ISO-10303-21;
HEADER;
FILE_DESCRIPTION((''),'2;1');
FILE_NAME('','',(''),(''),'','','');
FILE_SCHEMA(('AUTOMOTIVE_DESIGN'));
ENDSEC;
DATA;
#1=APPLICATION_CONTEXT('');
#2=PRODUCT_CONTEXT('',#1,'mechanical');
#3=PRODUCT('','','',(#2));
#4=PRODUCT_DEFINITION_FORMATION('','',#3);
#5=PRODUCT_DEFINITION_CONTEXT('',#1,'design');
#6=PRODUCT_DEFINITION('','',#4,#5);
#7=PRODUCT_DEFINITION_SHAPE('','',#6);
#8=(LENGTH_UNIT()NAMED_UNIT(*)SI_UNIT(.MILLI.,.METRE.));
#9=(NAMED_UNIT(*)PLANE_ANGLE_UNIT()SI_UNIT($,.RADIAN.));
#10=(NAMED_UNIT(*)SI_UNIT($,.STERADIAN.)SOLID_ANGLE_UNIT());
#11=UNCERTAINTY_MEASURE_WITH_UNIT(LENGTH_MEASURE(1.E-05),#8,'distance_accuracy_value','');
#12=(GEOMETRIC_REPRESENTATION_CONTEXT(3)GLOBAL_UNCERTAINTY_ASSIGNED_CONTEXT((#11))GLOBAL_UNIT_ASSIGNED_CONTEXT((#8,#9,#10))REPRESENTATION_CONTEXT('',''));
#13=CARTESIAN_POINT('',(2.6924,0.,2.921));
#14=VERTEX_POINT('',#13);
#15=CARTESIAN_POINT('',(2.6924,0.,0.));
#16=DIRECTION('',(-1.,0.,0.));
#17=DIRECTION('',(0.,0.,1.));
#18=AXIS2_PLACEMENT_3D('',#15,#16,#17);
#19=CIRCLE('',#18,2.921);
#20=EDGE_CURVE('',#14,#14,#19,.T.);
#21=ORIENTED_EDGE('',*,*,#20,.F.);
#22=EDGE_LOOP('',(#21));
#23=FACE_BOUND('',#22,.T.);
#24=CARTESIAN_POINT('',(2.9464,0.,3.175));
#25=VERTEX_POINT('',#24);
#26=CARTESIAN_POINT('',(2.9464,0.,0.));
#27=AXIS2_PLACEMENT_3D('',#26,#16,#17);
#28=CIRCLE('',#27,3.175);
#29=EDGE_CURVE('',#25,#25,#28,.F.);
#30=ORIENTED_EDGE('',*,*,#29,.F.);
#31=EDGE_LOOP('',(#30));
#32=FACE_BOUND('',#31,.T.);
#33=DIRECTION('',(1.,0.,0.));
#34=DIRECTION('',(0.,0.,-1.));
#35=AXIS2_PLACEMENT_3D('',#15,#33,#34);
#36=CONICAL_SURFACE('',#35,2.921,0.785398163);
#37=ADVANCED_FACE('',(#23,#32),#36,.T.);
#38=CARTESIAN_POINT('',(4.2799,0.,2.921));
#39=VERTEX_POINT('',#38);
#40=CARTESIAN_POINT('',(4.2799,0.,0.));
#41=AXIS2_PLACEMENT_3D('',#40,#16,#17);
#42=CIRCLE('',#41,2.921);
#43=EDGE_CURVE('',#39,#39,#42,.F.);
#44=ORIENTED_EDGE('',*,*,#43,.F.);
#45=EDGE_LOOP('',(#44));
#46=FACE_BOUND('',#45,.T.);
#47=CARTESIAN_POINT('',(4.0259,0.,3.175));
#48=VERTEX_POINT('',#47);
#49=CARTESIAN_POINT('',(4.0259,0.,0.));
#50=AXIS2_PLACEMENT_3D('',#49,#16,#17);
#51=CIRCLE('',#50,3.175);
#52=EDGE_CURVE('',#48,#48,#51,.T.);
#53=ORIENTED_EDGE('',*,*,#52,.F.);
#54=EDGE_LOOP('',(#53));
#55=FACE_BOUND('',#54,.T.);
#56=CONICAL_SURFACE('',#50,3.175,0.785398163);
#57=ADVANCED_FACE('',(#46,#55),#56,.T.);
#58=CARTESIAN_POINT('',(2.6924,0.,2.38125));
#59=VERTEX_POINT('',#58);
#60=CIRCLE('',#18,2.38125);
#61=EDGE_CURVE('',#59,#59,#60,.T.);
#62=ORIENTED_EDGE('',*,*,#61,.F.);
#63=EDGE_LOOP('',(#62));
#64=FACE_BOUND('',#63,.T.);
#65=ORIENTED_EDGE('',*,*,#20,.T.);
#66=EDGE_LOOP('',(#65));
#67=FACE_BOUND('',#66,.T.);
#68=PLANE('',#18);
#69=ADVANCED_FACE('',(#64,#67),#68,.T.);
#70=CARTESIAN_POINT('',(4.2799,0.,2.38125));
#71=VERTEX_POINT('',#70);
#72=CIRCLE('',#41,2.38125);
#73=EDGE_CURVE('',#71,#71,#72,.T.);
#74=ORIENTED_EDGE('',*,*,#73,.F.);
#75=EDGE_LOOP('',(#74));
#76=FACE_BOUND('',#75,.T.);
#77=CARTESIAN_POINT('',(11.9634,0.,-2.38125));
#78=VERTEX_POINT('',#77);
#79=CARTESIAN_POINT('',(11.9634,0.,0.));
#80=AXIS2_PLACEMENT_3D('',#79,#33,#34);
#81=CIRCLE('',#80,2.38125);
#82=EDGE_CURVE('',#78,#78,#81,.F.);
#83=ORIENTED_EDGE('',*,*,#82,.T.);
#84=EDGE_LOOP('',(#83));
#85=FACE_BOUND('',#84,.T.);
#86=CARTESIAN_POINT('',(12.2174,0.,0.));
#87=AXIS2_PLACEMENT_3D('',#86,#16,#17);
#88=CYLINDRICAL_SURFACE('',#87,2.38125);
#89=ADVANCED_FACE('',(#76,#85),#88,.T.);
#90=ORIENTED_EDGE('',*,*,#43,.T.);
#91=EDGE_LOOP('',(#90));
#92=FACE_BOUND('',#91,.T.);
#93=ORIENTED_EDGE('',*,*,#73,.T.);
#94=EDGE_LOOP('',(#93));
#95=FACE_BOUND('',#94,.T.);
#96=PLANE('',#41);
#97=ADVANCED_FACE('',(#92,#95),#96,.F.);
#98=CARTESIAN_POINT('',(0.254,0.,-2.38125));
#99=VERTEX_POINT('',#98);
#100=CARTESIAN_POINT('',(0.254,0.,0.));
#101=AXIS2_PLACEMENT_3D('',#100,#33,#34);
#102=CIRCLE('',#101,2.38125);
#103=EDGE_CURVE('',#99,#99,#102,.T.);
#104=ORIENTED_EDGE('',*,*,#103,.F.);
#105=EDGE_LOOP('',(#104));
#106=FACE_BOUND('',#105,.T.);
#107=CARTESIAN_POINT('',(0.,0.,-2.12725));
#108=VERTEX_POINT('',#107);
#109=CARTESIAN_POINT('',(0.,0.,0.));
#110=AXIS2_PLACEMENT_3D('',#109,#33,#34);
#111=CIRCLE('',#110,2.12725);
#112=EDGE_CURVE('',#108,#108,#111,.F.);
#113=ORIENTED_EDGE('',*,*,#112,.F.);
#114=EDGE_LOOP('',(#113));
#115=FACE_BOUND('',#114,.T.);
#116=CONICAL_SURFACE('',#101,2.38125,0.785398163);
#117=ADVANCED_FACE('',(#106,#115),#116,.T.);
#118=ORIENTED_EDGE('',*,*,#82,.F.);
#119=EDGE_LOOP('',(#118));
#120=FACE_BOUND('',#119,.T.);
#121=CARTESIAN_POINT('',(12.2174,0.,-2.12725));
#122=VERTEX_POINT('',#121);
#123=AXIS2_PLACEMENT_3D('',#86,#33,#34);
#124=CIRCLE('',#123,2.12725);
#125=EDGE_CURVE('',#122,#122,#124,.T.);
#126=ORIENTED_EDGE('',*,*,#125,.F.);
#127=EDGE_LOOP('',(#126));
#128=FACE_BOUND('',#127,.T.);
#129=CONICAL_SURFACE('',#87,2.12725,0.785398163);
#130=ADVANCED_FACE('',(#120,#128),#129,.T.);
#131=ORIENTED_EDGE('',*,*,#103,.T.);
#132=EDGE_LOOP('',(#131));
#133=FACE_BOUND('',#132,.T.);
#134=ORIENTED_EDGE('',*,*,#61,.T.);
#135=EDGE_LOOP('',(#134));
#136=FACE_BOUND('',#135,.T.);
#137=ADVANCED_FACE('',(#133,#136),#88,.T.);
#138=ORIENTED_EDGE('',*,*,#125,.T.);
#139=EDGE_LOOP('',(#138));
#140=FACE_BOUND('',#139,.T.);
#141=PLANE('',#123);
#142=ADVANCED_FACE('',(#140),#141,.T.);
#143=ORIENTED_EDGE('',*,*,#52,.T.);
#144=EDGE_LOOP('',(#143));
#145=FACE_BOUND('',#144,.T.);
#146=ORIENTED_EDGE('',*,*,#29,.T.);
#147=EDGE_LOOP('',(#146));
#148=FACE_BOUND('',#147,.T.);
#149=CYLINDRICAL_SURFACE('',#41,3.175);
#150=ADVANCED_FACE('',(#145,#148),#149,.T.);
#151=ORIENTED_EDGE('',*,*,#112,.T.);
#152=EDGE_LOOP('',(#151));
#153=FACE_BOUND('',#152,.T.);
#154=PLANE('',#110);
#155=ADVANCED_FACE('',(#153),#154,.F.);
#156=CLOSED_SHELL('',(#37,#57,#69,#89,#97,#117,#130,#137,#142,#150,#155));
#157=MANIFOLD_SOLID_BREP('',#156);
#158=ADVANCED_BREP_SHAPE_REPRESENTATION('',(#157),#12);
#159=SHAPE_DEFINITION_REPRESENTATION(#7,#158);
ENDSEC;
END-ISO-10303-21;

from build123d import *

# Parameters (mm, degrees)
SKETCH1_R           = 2.38125
BOSS_EXTRUDE1_DEPTH = 12.2174
SKETCH2_R           = 3.175
BOSS_EXTRUDE2_DEPTH = 1.5875
CHAMFER1_SIZE       = 0.254


with BuildPart() as part:
    # Sketch1 → Boss-Extrude1 (new body)
    with BuildSketch(Plane(origin=(0, 0, 0), x_dir=(0, 0, -1), z_dir=(1, 0, 0))):
        Circle(SKETCH1_R)
    extrude(amount=BOSS_EXTRUDE1_DEPTH)

    # Sketch2 → Boss-Extrude2 (add)
    with BuildSketch(Plane.ZY.offset(-2.6924)):
        Circle(SKETCH2_R)
    extrude(amount=-BOSS_EXTRUDE2_DEPTH)

    # Chamfer1
    chamfer1_edges = [part.edges().sort_by_distance(p)[0] for p in [
        (0, 0, 2.38125),
        (12.2174, 0, 2.38125),
        (2.6924, 0, -3.175),
        (4.2799, 0, -3.175),
    ]]
    chamfer(chamfer1_edges, length=CHAMFER1_SIZE)


solid = part.part
